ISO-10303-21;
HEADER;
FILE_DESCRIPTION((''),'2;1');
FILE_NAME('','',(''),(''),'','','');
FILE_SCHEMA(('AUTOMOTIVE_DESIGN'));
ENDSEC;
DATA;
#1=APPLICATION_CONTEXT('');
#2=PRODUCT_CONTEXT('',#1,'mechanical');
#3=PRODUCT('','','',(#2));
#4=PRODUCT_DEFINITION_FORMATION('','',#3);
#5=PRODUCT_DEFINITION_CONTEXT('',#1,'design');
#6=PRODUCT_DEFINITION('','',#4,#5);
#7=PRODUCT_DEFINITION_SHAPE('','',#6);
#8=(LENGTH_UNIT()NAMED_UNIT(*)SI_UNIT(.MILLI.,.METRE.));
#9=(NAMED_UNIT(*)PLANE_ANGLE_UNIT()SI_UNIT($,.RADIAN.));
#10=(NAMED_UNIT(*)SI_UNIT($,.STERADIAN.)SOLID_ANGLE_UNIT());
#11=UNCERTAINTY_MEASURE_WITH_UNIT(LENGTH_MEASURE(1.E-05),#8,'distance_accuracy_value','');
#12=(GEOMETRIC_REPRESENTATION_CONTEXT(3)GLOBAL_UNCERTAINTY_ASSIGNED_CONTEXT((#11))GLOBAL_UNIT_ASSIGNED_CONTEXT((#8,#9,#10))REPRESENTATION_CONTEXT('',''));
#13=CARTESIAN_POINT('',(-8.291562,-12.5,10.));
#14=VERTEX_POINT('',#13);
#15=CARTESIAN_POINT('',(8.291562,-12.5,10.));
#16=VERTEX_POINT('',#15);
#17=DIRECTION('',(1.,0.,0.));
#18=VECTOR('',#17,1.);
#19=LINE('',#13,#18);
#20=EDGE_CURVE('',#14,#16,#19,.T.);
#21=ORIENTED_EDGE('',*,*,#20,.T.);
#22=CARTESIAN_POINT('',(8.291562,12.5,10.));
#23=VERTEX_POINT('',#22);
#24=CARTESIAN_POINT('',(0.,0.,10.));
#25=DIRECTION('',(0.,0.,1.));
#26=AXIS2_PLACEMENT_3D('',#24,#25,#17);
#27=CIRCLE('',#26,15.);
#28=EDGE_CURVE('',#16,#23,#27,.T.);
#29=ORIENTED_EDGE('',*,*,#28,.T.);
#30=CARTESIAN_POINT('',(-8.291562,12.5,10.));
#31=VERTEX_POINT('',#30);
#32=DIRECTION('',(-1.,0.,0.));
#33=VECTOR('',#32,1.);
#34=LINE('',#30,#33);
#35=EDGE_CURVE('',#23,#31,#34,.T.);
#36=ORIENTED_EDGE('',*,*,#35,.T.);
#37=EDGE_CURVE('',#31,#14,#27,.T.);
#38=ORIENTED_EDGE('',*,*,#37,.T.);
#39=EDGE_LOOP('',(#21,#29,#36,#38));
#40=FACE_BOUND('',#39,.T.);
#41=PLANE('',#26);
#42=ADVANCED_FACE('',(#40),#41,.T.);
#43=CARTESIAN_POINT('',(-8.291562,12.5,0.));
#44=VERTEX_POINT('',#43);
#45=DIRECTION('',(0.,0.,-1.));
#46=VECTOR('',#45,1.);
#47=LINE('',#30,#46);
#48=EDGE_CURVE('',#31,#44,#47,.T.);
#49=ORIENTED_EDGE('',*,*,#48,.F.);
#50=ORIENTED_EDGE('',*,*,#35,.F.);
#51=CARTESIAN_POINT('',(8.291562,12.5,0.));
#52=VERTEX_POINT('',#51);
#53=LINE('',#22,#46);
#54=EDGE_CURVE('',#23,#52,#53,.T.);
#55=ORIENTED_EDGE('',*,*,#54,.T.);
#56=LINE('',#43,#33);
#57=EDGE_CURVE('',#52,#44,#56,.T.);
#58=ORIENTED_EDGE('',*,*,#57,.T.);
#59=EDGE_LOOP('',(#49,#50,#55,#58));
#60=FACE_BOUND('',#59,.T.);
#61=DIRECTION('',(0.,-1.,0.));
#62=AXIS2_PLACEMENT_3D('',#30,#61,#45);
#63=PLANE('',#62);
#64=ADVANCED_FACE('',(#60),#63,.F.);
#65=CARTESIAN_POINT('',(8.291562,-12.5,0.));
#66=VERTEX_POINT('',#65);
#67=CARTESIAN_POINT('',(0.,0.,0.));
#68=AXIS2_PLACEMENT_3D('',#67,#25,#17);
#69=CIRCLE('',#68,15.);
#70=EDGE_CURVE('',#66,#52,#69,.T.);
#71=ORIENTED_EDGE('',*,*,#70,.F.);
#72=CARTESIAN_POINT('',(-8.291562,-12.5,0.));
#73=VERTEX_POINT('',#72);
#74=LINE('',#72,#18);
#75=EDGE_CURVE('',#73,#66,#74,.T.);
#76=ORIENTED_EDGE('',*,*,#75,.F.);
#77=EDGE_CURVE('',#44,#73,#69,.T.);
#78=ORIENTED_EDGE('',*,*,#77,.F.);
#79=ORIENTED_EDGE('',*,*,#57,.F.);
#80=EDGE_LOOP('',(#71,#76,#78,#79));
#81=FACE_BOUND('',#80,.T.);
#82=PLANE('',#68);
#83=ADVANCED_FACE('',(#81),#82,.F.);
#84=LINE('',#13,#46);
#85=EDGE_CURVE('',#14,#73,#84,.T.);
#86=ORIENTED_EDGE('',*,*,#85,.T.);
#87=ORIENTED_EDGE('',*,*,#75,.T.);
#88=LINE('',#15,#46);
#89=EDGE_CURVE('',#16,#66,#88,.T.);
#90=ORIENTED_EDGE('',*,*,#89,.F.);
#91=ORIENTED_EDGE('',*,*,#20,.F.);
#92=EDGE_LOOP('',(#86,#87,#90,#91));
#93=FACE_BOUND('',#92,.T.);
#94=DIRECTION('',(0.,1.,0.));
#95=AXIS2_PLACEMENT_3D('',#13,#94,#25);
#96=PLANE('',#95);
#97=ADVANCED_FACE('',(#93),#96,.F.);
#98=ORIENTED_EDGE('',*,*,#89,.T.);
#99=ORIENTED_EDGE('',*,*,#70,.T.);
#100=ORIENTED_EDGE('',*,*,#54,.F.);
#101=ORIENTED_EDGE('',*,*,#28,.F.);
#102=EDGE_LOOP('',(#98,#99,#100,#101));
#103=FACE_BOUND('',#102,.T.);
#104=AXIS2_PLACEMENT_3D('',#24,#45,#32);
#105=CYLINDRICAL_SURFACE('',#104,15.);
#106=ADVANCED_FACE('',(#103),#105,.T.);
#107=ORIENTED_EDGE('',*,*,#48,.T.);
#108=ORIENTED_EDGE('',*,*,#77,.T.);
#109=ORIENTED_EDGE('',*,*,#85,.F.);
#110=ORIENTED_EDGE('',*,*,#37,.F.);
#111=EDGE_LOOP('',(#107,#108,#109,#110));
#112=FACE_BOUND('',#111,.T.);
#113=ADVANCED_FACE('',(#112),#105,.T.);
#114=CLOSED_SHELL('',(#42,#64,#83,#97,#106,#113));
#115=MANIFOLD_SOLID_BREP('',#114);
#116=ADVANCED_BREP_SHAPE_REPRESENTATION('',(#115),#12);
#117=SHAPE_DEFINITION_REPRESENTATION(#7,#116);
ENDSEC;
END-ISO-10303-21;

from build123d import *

# Parameters (mm, degrees)
EXTRUDE_1_DEPTH = 10


with BuildPart() as part:
    # Эскиз1 → Бобышка-Вытянуть1 (new body)
    with BuildSketch(Plane.XY):
        with BuildLine():
            Line((-8.291561976, 12.5), (8.291561976, 12.5))
            ThreePointArc((8.291561976, 12.5), (15, 0), (8.291561976, -12.5))
            Line((8.291561976, -12.5), (-8.291561976, -12.5))
            ThreePointArc((-8.291561976, -12.5), (-15, 0), (-8.291561976, 12.5))
        make_face()
    extrude(amount=EXTRUDE_1_DEPTH)


solid = part.part
